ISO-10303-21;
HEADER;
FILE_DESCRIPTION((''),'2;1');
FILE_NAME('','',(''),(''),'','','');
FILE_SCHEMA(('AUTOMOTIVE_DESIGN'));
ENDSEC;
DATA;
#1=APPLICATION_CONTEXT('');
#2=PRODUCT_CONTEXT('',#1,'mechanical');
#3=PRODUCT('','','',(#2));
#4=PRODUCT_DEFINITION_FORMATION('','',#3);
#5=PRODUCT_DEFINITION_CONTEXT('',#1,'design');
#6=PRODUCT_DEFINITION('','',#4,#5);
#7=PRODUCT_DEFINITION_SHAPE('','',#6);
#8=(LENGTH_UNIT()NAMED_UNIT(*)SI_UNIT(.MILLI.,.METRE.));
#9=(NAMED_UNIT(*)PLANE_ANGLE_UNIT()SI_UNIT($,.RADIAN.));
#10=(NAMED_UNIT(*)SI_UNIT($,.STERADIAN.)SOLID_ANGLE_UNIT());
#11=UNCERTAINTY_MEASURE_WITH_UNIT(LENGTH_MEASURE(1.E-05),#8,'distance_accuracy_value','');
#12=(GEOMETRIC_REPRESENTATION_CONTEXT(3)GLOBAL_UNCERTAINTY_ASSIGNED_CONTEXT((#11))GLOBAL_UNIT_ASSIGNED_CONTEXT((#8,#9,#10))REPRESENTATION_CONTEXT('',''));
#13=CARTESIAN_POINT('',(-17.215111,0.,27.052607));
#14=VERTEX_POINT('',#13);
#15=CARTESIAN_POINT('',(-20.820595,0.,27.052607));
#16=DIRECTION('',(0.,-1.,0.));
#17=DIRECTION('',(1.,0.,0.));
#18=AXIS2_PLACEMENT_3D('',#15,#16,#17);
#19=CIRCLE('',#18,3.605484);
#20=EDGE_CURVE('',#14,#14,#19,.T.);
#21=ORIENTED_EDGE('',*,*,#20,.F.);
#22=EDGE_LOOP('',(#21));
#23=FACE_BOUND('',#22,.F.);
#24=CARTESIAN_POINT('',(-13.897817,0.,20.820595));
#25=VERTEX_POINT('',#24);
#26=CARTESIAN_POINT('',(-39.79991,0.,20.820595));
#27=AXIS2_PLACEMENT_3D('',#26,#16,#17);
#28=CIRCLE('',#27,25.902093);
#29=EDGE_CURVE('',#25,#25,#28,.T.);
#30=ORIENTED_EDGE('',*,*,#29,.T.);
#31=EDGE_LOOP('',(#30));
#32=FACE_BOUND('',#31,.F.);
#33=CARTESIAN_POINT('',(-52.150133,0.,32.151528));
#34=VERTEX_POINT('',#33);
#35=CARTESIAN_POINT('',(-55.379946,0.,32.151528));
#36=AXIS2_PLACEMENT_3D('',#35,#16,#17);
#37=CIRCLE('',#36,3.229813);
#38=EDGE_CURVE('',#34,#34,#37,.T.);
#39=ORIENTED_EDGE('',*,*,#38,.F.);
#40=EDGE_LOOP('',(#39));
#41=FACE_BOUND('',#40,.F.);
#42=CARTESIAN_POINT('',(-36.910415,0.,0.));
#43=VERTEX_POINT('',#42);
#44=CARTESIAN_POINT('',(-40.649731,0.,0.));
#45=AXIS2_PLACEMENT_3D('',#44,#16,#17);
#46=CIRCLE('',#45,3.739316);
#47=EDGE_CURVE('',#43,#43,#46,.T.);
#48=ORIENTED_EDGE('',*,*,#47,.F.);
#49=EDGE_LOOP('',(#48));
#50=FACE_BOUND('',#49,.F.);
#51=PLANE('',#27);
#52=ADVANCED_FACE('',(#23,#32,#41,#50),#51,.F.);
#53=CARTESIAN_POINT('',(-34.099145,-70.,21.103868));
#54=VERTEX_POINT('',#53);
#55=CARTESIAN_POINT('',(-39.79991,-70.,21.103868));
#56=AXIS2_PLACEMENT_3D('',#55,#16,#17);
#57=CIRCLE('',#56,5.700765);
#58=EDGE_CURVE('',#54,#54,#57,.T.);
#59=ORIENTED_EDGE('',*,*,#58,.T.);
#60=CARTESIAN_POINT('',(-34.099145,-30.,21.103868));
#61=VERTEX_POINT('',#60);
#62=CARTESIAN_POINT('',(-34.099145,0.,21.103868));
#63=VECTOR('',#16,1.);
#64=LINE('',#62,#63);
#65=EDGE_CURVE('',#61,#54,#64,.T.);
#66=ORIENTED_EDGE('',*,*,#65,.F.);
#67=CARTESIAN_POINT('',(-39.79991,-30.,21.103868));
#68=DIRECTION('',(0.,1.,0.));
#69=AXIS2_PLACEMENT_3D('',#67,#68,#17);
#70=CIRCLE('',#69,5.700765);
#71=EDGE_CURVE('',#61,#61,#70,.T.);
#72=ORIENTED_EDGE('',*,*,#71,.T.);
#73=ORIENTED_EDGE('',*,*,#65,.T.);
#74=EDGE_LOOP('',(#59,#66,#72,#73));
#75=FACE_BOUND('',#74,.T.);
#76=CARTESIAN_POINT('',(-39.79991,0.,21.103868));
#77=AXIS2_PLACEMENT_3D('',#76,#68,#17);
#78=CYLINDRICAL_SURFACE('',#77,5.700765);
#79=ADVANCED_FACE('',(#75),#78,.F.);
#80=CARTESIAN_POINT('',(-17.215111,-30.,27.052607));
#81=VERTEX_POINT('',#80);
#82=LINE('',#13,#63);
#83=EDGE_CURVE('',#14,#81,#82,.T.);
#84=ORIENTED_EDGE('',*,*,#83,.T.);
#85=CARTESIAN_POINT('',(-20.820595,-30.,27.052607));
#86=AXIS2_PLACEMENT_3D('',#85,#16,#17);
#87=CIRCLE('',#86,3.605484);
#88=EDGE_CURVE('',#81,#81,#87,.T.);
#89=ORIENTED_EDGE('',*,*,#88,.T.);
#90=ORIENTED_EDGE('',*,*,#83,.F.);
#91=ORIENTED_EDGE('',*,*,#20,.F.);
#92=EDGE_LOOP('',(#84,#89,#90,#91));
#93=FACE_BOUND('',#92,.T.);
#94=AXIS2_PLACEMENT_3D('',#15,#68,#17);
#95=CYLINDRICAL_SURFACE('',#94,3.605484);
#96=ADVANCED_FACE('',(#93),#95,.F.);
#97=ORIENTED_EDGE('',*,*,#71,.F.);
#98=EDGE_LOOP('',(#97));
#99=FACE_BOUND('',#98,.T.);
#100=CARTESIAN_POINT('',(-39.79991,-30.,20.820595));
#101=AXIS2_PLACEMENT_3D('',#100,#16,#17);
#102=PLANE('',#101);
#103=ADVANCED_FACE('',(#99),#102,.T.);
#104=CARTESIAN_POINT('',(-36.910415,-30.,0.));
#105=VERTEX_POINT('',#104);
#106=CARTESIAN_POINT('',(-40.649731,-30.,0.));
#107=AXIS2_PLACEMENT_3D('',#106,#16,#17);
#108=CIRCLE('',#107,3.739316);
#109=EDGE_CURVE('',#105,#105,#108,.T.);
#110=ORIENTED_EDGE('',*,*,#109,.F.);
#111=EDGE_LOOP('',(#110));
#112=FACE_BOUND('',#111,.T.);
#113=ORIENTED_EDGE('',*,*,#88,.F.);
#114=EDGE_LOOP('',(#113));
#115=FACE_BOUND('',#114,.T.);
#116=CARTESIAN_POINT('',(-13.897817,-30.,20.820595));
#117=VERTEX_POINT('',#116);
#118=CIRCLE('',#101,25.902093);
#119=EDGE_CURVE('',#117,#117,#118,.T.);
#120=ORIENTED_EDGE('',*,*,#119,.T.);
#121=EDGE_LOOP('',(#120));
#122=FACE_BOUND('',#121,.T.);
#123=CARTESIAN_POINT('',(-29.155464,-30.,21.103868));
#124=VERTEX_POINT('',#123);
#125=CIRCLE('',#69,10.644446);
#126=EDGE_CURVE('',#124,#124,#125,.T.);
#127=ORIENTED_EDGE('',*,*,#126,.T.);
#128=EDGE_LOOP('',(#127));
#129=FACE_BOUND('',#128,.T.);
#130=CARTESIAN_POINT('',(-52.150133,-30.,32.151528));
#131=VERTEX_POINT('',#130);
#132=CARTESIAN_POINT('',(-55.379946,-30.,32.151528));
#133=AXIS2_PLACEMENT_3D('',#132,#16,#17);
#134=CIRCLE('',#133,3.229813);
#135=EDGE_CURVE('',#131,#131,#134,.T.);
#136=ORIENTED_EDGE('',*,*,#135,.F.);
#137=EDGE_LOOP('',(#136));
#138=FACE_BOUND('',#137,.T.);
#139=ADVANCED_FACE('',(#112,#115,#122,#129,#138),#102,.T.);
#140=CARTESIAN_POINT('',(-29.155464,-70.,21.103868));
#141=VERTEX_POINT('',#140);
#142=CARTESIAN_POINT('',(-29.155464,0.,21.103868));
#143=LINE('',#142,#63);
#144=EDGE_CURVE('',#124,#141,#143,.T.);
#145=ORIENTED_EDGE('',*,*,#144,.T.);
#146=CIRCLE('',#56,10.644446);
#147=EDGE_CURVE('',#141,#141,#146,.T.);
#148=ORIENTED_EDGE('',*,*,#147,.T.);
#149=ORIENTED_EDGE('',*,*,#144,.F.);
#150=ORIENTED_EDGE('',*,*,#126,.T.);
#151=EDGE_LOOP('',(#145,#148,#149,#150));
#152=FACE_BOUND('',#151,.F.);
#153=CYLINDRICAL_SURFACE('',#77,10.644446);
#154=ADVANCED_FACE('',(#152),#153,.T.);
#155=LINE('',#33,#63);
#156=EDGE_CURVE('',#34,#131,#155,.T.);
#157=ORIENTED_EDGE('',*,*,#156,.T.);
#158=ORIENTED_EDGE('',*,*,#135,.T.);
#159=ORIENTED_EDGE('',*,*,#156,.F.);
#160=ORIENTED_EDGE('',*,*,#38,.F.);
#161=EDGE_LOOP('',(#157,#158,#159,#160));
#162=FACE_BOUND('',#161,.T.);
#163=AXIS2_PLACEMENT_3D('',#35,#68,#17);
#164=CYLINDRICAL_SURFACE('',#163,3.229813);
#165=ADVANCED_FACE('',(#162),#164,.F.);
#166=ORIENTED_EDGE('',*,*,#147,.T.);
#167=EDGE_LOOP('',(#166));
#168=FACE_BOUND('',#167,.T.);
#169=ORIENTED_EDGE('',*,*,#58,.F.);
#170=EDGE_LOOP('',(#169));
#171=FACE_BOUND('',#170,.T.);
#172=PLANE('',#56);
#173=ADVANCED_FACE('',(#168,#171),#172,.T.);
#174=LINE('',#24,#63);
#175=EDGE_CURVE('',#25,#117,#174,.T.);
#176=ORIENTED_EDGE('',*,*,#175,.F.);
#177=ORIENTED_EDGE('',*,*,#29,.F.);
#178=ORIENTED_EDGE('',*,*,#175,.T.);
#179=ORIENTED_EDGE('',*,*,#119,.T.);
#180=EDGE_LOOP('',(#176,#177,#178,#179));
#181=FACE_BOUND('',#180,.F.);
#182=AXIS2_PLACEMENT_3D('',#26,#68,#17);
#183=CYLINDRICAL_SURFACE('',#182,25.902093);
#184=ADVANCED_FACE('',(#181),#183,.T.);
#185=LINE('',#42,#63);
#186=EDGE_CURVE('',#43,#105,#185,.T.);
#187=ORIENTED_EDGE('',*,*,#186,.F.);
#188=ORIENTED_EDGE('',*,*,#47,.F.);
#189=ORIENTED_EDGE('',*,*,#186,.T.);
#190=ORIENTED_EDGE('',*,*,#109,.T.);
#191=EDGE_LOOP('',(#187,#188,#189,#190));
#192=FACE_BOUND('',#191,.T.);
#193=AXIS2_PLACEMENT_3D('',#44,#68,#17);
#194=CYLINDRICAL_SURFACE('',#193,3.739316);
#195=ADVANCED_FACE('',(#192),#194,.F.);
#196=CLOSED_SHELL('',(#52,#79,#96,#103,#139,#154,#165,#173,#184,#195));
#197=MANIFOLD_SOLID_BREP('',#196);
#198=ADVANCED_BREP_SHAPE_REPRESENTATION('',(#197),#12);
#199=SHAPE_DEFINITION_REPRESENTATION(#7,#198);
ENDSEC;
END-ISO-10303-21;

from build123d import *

# Parameters (mm, degrees)
F1_R     = 10.644446
F1_R_2   = 5.700765
F2_DEPTH = 70
F0_R     = 25.902093
F0_R_2   = 3.739316
F0_R_3   = 3.229813
F0_R_4   = 3.605484
F3_DEPTH = 30


with BuildPart() as f2:
    # F1 (on Front) → F2 (new body)
    with BuildSketch(Plane.XZ):
        with Locations((-39.79991, 21.103868)):
            Circle(F1_R)
        with Locations((-39.79991, 21.103868)):
            Circle(F1_R_2, mode=Mode.SUBTRACT)
    extrude(amount=F2_DEPTH)

    # F0 (on Front) → F3 (join)
    with BuildSketch(Plane.XZ):
        with Locations((-39.79991, 20.820595)):
            Circle(F0_R)
        with Locations((-40.649731, 0)):
            Circle(F0_R_2, mode=Mode.SUBTRACT)
        with Locations((-55.379946, 32.151528)):
            Circle(F0_R_3, mode=Mode.SUBTRACT)
        with Locations((-20.820595, 27.052607)):
            Circle(F0_R_4, mode=Mode.SUBTRACT)
    extrude(amount=F3_DEPTH)


solid = f2.part
